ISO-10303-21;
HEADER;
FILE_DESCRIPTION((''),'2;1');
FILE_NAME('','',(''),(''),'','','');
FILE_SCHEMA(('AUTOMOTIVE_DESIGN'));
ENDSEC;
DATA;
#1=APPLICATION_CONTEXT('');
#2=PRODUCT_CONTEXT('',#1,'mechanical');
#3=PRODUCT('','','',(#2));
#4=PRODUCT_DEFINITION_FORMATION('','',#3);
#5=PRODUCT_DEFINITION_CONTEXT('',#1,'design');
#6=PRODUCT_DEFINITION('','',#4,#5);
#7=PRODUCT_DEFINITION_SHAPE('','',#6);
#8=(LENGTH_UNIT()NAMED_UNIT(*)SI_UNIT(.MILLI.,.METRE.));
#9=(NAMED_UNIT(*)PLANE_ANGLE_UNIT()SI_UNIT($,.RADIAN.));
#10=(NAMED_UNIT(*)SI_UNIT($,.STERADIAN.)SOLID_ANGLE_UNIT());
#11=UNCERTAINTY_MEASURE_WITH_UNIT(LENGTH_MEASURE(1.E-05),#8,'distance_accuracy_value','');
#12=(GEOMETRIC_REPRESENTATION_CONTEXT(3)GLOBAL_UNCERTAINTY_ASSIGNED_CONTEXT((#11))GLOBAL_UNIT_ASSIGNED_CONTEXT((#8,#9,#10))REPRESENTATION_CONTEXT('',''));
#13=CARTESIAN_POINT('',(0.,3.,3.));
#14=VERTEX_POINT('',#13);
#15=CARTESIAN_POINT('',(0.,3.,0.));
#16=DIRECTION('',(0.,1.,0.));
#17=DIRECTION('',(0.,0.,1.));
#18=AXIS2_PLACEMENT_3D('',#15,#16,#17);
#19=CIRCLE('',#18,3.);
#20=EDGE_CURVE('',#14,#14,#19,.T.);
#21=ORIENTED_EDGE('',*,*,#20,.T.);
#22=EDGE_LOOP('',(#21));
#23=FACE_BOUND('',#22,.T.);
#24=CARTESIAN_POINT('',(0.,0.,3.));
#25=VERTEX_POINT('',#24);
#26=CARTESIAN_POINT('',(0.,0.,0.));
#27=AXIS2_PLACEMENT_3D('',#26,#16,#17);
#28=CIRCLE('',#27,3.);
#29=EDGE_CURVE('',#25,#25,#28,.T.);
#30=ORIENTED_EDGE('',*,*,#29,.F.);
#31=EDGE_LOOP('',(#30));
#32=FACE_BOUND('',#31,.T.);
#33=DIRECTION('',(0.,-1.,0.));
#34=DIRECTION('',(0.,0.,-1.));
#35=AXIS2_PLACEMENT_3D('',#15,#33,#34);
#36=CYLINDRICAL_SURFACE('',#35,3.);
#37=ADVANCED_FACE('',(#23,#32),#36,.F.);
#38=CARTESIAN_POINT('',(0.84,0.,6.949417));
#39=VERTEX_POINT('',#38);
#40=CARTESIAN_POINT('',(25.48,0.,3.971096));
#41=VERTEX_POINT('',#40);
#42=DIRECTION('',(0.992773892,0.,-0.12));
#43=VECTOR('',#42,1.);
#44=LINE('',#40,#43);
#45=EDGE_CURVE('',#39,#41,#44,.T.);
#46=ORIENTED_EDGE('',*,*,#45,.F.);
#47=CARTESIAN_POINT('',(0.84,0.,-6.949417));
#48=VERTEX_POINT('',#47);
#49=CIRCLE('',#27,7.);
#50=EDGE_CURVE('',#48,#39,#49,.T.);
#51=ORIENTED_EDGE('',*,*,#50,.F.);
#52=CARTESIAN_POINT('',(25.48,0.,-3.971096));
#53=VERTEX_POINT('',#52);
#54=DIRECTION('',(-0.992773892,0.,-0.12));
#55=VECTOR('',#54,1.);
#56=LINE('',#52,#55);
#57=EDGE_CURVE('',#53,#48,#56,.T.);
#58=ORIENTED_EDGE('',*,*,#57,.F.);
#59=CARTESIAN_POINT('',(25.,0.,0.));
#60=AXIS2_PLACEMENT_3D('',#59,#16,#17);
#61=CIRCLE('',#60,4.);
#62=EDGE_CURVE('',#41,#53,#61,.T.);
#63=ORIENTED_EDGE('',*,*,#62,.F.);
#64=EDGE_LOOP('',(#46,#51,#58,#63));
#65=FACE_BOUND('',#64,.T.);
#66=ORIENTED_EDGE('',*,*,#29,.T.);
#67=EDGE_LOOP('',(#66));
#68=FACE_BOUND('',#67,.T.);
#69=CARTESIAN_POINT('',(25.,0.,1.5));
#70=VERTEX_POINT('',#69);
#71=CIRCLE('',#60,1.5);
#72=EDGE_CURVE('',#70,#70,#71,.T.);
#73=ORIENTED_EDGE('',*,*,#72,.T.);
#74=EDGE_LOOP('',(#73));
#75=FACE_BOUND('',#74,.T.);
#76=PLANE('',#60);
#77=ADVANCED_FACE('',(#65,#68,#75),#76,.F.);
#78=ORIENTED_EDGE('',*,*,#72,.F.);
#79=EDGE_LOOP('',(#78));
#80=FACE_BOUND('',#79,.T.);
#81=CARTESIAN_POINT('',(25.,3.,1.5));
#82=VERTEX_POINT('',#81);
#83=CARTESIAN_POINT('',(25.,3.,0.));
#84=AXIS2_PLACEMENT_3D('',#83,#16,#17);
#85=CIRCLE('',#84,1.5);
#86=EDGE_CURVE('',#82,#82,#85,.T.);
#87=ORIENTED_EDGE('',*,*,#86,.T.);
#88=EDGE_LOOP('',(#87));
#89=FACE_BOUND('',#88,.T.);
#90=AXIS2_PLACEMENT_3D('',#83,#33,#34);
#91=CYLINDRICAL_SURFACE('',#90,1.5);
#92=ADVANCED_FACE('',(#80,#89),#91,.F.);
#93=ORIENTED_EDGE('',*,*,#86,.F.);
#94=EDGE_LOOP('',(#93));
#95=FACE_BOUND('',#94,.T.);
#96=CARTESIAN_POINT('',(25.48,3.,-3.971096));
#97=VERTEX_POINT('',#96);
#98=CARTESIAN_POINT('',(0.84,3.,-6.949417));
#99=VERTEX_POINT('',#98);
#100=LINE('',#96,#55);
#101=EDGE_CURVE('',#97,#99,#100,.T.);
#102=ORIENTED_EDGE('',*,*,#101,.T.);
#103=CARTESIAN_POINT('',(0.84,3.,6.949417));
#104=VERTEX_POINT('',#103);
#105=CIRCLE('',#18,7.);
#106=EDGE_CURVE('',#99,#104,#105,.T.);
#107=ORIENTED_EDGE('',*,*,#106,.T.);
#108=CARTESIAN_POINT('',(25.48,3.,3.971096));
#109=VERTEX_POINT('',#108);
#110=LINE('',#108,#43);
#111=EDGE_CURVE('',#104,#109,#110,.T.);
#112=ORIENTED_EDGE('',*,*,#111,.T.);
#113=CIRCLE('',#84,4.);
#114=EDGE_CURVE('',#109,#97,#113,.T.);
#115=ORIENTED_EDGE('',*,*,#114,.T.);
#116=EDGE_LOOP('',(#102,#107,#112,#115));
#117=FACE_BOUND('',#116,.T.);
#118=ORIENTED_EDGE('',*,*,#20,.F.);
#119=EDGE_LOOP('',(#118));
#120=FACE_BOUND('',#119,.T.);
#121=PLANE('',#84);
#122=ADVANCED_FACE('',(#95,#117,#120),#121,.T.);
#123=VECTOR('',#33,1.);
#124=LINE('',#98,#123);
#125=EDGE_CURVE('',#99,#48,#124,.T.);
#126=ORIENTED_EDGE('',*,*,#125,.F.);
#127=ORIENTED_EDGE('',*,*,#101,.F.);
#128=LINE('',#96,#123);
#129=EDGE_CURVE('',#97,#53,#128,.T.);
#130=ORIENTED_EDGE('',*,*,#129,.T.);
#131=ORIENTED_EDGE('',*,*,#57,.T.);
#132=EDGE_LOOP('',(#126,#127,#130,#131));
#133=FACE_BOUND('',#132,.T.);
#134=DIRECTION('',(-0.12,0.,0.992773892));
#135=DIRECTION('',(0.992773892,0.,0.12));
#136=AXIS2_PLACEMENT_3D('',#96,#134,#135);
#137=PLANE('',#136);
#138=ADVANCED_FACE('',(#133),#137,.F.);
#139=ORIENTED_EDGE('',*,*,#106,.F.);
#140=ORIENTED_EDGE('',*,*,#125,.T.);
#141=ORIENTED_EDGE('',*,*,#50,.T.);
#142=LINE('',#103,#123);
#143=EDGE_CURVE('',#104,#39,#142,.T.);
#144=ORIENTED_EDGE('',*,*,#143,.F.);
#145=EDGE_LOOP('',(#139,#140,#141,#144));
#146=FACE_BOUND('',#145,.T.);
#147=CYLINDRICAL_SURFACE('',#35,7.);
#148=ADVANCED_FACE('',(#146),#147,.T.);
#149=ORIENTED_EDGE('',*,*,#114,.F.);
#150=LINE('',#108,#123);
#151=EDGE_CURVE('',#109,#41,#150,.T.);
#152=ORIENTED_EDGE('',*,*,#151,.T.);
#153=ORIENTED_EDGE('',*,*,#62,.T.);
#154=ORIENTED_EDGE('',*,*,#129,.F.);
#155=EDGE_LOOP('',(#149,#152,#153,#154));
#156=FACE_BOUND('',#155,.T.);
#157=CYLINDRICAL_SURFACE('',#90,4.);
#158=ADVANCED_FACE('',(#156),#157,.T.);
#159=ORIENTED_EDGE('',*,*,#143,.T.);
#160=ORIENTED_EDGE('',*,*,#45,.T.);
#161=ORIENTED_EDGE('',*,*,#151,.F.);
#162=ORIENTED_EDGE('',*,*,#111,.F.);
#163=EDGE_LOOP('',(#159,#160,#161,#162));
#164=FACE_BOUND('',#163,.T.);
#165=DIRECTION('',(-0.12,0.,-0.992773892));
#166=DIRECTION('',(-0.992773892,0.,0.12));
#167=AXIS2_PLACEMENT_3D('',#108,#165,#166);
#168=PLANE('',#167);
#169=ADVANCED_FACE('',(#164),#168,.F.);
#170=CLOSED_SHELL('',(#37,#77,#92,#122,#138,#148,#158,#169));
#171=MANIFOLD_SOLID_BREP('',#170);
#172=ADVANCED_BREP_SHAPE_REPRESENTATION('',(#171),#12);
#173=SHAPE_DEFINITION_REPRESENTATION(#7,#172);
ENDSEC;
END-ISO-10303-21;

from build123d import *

# Parameters (mm, degrees)
SKETCH1_R           = 3
SKETCH1_R_2         = 1.5
BOSS_EXTRUDE1_DEPTH = 3


with BuildPart() as part:
    # Sketch1 → Boss-Extrude1 (new body)
    with BuildSketch(Plane(origin=(0, 0, 0), x_dir=(1, 0, 0), z_dir=(0, 1, 0))):
        with BuildLine():
            Line((25.48, 3.971095567), (0.84, 6.949417242))
            ThreePointArc((0.84, 6.949417242), (-7, 0), (0.84, -6.949417242))
            Line((0.84, -6.949417242), (25.48, -3.971095567))
            ThreePointArc((25.48, -3.971095567), (29, 0), (25.48, 3.971095567))
        make_face()
        with Locations(Location((0, 0, 0), (0, 0, 270))):
            Circle(SKETCH1_R, mode=Mode.SUBTRACT)
        with Locations(Location((25, 0, 0), (0, 0, 270))):
            Circle(SKETCH1_R_2, mode=Mode.SUBTRACT)
    extrude(amount=BOSS_EXTRUDE1_DEPTH)


solid = part.part
